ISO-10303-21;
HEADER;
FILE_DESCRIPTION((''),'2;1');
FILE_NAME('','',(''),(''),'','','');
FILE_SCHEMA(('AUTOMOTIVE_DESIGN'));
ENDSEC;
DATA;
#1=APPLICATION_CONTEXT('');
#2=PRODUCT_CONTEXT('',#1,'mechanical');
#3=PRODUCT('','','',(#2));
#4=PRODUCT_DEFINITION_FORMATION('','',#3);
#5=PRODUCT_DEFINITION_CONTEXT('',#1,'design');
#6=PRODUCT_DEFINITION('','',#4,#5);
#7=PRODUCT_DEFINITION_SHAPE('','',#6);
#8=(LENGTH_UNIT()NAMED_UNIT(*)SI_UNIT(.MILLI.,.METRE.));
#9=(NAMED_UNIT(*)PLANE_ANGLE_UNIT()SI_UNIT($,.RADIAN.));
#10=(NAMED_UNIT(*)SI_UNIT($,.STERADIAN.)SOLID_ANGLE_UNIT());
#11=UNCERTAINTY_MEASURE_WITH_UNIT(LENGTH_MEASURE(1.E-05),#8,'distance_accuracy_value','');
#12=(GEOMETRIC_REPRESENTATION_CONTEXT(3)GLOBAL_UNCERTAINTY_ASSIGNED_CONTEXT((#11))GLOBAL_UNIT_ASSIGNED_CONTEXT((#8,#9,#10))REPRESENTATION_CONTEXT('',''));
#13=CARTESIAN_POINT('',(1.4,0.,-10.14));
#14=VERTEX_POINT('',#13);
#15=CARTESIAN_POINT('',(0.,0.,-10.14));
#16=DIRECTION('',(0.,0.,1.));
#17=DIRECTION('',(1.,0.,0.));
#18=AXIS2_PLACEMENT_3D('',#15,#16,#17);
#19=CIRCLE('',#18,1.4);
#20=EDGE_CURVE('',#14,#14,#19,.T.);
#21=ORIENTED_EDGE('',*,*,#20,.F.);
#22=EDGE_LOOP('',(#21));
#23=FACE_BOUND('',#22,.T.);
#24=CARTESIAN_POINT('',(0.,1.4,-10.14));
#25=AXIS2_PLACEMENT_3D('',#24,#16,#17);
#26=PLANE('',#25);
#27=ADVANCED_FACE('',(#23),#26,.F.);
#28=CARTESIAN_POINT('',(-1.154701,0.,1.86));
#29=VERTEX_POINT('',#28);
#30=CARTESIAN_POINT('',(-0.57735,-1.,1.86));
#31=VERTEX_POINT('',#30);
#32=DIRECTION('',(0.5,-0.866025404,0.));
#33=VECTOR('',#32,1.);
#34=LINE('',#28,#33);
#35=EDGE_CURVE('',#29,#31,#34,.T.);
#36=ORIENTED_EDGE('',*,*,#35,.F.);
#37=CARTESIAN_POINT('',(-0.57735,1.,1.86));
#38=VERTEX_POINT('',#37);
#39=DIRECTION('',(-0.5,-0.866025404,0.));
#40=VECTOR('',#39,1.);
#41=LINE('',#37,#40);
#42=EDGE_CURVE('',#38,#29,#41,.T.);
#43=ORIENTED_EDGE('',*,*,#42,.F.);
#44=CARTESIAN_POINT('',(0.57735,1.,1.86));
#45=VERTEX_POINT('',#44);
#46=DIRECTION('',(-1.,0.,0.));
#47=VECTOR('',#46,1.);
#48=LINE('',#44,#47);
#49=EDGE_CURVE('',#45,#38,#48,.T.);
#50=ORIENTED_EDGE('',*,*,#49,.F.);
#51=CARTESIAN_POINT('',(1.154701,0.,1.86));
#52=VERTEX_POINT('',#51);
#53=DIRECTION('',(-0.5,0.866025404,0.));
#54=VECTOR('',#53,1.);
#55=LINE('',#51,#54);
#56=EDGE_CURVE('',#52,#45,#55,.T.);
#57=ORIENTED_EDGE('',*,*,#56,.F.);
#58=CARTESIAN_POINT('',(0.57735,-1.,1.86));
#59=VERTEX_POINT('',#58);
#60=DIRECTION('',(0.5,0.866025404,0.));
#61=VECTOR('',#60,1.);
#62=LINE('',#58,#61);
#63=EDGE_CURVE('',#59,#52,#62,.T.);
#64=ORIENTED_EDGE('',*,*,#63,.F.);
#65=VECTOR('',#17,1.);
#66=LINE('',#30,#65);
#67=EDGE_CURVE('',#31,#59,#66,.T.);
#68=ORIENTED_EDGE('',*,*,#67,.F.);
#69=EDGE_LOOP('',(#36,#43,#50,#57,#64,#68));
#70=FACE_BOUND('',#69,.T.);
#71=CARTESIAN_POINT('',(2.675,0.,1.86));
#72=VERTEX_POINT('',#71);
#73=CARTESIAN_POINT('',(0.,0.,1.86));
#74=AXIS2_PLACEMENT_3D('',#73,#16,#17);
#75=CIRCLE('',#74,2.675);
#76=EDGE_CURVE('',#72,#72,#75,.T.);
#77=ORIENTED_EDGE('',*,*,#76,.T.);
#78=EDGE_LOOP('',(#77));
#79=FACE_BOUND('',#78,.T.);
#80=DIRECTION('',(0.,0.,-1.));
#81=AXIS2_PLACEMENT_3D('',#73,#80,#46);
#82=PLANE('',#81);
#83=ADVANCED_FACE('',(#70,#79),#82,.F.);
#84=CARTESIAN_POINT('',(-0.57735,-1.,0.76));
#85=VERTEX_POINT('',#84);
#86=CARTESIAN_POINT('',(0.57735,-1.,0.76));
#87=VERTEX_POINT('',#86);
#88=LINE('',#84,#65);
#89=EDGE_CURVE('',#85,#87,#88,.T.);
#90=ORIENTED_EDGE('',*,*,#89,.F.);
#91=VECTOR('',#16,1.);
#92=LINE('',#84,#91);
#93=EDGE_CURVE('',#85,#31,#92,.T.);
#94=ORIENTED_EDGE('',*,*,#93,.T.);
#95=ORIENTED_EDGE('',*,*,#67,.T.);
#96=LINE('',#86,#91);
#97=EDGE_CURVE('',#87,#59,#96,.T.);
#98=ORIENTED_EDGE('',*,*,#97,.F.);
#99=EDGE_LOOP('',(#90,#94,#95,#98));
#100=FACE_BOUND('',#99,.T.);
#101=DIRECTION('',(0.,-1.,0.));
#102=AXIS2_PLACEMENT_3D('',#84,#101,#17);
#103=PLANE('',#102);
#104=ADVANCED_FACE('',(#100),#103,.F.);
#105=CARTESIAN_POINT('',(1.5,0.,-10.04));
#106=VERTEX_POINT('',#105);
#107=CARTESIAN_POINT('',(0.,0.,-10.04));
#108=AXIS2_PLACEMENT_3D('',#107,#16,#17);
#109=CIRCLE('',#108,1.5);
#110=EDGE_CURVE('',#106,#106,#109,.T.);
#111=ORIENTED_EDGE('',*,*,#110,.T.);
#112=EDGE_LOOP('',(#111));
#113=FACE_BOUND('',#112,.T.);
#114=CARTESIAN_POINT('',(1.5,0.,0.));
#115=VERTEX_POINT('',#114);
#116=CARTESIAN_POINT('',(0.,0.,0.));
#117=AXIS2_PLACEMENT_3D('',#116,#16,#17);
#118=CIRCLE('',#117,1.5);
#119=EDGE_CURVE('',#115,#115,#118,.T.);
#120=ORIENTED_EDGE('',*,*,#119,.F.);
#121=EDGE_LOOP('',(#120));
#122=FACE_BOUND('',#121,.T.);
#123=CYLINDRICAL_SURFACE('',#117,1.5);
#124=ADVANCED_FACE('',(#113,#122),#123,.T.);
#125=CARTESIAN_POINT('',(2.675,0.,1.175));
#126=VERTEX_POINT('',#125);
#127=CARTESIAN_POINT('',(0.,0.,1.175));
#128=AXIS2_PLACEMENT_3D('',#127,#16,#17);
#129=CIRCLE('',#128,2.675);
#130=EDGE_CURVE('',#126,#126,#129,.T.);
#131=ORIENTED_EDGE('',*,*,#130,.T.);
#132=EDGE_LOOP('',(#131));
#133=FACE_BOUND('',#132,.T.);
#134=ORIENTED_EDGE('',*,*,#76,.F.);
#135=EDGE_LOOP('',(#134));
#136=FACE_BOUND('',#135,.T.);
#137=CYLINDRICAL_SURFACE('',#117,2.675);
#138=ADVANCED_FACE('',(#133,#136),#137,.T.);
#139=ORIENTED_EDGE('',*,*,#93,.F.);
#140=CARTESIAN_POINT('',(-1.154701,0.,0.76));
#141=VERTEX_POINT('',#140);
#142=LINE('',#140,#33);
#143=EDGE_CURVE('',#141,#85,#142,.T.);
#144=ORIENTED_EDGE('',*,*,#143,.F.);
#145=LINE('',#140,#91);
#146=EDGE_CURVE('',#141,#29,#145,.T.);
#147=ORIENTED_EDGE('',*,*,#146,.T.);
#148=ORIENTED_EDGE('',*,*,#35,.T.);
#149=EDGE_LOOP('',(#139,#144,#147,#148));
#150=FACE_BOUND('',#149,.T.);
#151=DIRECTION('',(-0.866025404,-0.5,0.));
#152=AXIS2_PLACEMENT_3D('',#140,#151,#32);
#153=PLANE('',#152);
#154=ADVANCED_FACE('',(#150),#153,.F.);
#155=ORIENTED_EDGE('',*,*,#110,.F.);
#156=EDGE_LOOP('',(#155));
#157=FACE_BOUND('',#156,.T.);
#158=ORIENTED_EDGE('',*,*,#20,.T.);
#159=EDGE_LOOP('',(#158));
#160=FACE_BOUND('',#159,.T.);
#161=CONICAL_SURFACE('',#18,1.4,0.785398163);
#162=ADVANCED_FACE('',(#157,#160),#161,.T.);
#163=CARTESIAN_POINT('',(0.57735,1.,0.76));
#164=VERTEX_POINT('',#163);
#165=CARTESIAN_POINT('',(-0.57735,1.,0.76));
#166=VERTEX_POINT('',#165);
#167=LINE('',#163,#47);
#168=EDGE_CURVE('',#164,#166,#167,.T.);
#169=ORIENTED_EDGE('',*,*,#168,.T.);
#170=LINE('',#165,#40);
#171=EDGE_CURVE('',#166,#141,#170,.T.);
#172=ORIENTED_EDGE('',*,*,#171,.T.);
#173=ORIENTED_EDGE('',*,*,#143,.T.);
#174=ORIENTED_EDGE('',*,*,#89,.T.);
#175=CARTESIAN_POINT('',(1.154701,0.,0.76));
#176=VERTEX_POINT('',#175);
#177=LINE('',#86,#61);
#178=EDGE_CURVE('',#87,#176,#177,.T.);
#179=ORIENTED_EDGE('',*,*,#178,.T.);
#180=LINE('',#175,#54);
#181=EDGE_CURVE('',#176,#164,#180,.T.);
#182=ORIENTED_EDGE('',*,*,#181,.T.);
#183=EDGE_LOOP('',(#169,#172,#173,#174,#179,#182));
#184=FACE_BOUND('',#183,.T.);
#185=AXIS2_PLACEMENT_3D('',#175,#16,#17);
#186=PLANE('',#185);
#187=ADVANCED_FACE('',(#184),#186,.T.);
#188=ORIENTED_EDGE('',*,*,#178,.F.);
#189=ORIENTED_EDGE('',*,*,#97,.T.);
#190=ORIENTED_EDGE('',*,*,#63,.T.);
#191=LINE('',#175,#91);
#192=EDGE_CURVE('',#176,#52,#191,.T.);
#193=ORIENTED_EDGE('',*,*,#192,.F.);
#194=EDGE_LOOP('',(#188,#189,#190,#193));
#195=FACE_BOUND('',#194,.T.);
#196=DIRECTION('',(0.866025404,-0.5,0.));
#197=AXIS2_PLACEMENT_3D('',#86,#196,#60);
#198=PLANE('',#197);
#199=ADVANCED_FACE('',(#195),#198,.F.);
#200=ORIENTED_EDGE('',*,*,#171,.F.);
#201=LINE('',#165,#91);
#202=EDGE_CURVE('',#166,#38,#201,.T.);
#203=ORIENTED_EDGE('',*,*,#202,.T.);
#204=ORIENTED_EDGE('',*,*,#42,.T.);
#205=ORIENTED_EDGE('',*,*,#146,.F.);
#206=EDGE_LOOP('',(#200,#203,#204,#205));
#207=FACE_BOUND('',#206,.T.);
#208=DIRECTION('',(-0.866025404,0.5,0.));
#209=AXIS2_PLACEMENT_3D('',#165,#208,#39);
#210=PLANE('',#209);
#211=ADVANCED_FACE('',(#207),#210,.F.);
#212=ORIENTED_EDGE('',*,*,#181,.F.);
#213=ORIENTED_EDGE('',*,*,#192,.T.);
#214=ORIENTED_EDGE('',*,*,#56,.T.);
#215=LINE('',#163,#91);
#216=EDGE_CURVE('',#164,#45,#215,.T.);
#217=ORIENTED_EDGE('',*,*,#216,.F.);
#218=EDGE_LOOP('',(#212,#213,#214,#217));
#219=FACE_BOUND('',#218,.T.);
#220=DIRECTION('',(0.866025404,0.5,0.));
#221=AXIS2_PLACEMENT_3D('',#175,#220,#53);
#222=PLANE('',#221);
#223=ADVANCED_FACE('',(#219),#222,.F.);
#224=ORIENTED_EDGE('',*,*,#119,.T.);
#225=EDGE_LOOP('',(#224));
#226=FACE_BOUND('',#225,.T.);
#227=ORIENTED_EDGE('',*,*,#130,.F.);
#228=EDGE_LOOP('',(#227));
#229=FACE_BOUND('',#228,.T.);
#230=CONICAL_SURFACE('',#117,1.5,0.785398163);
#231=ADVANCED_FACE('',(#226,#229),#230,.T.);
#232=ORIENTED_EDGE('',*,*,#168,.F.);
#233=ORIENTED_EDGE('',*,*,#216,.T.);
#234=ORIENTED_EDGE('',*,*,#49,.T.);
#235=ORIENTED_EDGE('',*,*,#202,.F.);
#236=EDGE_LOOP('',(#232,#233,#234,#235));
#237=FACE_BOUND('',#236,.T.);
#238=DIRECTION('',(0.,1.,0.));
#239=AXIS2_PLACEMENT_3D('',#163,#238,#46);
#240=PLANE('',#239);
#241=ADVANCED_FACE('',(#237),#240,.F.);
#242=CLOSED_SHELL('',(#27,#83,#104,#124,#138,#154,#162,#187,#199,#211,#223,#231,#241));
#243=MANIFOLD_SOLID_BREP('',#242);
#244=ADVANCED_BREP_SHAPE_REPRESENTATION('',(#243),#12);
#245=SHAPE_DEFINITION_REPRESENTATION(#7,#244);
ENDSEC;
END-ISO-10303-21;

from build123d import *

# Parameters (mm, degrees)
HEX_CUT_DEPTH = 1.1


with BuildPart() as part:
    # Body_Sketch → Body_Revolve (revolve)
    with BuildSketch(Plane(origin=(0, 0, 0), x_dir=(0, 0, -1), z_dir=(1, 0, 0))):
        Polygon((0, 1.5), (10.04, 1.5), (10.14, 1.4), (10.14, 0), (-1.86, 0), (-1.86, 2.675), (-1.175, 2.675), align=None)
    revolve(axis=Axis((0, 0, 0), (0, 0, -1)))

    # Key_Sketch → Hex_Cut (cut)
    with BuildSketch(Plane.XY.offset(1.86)):
        Polygon((1.154700538, 0), (0.577350269, 1), (-0.577350269, 1), (-1.154700538, 0), (-0.577350269, -1), (0.577350269, -1), align=None)
    extrude(amount=-HEX_CUT_DEPTH, mode=Mode.SUBTRACT)


solid = part.part
